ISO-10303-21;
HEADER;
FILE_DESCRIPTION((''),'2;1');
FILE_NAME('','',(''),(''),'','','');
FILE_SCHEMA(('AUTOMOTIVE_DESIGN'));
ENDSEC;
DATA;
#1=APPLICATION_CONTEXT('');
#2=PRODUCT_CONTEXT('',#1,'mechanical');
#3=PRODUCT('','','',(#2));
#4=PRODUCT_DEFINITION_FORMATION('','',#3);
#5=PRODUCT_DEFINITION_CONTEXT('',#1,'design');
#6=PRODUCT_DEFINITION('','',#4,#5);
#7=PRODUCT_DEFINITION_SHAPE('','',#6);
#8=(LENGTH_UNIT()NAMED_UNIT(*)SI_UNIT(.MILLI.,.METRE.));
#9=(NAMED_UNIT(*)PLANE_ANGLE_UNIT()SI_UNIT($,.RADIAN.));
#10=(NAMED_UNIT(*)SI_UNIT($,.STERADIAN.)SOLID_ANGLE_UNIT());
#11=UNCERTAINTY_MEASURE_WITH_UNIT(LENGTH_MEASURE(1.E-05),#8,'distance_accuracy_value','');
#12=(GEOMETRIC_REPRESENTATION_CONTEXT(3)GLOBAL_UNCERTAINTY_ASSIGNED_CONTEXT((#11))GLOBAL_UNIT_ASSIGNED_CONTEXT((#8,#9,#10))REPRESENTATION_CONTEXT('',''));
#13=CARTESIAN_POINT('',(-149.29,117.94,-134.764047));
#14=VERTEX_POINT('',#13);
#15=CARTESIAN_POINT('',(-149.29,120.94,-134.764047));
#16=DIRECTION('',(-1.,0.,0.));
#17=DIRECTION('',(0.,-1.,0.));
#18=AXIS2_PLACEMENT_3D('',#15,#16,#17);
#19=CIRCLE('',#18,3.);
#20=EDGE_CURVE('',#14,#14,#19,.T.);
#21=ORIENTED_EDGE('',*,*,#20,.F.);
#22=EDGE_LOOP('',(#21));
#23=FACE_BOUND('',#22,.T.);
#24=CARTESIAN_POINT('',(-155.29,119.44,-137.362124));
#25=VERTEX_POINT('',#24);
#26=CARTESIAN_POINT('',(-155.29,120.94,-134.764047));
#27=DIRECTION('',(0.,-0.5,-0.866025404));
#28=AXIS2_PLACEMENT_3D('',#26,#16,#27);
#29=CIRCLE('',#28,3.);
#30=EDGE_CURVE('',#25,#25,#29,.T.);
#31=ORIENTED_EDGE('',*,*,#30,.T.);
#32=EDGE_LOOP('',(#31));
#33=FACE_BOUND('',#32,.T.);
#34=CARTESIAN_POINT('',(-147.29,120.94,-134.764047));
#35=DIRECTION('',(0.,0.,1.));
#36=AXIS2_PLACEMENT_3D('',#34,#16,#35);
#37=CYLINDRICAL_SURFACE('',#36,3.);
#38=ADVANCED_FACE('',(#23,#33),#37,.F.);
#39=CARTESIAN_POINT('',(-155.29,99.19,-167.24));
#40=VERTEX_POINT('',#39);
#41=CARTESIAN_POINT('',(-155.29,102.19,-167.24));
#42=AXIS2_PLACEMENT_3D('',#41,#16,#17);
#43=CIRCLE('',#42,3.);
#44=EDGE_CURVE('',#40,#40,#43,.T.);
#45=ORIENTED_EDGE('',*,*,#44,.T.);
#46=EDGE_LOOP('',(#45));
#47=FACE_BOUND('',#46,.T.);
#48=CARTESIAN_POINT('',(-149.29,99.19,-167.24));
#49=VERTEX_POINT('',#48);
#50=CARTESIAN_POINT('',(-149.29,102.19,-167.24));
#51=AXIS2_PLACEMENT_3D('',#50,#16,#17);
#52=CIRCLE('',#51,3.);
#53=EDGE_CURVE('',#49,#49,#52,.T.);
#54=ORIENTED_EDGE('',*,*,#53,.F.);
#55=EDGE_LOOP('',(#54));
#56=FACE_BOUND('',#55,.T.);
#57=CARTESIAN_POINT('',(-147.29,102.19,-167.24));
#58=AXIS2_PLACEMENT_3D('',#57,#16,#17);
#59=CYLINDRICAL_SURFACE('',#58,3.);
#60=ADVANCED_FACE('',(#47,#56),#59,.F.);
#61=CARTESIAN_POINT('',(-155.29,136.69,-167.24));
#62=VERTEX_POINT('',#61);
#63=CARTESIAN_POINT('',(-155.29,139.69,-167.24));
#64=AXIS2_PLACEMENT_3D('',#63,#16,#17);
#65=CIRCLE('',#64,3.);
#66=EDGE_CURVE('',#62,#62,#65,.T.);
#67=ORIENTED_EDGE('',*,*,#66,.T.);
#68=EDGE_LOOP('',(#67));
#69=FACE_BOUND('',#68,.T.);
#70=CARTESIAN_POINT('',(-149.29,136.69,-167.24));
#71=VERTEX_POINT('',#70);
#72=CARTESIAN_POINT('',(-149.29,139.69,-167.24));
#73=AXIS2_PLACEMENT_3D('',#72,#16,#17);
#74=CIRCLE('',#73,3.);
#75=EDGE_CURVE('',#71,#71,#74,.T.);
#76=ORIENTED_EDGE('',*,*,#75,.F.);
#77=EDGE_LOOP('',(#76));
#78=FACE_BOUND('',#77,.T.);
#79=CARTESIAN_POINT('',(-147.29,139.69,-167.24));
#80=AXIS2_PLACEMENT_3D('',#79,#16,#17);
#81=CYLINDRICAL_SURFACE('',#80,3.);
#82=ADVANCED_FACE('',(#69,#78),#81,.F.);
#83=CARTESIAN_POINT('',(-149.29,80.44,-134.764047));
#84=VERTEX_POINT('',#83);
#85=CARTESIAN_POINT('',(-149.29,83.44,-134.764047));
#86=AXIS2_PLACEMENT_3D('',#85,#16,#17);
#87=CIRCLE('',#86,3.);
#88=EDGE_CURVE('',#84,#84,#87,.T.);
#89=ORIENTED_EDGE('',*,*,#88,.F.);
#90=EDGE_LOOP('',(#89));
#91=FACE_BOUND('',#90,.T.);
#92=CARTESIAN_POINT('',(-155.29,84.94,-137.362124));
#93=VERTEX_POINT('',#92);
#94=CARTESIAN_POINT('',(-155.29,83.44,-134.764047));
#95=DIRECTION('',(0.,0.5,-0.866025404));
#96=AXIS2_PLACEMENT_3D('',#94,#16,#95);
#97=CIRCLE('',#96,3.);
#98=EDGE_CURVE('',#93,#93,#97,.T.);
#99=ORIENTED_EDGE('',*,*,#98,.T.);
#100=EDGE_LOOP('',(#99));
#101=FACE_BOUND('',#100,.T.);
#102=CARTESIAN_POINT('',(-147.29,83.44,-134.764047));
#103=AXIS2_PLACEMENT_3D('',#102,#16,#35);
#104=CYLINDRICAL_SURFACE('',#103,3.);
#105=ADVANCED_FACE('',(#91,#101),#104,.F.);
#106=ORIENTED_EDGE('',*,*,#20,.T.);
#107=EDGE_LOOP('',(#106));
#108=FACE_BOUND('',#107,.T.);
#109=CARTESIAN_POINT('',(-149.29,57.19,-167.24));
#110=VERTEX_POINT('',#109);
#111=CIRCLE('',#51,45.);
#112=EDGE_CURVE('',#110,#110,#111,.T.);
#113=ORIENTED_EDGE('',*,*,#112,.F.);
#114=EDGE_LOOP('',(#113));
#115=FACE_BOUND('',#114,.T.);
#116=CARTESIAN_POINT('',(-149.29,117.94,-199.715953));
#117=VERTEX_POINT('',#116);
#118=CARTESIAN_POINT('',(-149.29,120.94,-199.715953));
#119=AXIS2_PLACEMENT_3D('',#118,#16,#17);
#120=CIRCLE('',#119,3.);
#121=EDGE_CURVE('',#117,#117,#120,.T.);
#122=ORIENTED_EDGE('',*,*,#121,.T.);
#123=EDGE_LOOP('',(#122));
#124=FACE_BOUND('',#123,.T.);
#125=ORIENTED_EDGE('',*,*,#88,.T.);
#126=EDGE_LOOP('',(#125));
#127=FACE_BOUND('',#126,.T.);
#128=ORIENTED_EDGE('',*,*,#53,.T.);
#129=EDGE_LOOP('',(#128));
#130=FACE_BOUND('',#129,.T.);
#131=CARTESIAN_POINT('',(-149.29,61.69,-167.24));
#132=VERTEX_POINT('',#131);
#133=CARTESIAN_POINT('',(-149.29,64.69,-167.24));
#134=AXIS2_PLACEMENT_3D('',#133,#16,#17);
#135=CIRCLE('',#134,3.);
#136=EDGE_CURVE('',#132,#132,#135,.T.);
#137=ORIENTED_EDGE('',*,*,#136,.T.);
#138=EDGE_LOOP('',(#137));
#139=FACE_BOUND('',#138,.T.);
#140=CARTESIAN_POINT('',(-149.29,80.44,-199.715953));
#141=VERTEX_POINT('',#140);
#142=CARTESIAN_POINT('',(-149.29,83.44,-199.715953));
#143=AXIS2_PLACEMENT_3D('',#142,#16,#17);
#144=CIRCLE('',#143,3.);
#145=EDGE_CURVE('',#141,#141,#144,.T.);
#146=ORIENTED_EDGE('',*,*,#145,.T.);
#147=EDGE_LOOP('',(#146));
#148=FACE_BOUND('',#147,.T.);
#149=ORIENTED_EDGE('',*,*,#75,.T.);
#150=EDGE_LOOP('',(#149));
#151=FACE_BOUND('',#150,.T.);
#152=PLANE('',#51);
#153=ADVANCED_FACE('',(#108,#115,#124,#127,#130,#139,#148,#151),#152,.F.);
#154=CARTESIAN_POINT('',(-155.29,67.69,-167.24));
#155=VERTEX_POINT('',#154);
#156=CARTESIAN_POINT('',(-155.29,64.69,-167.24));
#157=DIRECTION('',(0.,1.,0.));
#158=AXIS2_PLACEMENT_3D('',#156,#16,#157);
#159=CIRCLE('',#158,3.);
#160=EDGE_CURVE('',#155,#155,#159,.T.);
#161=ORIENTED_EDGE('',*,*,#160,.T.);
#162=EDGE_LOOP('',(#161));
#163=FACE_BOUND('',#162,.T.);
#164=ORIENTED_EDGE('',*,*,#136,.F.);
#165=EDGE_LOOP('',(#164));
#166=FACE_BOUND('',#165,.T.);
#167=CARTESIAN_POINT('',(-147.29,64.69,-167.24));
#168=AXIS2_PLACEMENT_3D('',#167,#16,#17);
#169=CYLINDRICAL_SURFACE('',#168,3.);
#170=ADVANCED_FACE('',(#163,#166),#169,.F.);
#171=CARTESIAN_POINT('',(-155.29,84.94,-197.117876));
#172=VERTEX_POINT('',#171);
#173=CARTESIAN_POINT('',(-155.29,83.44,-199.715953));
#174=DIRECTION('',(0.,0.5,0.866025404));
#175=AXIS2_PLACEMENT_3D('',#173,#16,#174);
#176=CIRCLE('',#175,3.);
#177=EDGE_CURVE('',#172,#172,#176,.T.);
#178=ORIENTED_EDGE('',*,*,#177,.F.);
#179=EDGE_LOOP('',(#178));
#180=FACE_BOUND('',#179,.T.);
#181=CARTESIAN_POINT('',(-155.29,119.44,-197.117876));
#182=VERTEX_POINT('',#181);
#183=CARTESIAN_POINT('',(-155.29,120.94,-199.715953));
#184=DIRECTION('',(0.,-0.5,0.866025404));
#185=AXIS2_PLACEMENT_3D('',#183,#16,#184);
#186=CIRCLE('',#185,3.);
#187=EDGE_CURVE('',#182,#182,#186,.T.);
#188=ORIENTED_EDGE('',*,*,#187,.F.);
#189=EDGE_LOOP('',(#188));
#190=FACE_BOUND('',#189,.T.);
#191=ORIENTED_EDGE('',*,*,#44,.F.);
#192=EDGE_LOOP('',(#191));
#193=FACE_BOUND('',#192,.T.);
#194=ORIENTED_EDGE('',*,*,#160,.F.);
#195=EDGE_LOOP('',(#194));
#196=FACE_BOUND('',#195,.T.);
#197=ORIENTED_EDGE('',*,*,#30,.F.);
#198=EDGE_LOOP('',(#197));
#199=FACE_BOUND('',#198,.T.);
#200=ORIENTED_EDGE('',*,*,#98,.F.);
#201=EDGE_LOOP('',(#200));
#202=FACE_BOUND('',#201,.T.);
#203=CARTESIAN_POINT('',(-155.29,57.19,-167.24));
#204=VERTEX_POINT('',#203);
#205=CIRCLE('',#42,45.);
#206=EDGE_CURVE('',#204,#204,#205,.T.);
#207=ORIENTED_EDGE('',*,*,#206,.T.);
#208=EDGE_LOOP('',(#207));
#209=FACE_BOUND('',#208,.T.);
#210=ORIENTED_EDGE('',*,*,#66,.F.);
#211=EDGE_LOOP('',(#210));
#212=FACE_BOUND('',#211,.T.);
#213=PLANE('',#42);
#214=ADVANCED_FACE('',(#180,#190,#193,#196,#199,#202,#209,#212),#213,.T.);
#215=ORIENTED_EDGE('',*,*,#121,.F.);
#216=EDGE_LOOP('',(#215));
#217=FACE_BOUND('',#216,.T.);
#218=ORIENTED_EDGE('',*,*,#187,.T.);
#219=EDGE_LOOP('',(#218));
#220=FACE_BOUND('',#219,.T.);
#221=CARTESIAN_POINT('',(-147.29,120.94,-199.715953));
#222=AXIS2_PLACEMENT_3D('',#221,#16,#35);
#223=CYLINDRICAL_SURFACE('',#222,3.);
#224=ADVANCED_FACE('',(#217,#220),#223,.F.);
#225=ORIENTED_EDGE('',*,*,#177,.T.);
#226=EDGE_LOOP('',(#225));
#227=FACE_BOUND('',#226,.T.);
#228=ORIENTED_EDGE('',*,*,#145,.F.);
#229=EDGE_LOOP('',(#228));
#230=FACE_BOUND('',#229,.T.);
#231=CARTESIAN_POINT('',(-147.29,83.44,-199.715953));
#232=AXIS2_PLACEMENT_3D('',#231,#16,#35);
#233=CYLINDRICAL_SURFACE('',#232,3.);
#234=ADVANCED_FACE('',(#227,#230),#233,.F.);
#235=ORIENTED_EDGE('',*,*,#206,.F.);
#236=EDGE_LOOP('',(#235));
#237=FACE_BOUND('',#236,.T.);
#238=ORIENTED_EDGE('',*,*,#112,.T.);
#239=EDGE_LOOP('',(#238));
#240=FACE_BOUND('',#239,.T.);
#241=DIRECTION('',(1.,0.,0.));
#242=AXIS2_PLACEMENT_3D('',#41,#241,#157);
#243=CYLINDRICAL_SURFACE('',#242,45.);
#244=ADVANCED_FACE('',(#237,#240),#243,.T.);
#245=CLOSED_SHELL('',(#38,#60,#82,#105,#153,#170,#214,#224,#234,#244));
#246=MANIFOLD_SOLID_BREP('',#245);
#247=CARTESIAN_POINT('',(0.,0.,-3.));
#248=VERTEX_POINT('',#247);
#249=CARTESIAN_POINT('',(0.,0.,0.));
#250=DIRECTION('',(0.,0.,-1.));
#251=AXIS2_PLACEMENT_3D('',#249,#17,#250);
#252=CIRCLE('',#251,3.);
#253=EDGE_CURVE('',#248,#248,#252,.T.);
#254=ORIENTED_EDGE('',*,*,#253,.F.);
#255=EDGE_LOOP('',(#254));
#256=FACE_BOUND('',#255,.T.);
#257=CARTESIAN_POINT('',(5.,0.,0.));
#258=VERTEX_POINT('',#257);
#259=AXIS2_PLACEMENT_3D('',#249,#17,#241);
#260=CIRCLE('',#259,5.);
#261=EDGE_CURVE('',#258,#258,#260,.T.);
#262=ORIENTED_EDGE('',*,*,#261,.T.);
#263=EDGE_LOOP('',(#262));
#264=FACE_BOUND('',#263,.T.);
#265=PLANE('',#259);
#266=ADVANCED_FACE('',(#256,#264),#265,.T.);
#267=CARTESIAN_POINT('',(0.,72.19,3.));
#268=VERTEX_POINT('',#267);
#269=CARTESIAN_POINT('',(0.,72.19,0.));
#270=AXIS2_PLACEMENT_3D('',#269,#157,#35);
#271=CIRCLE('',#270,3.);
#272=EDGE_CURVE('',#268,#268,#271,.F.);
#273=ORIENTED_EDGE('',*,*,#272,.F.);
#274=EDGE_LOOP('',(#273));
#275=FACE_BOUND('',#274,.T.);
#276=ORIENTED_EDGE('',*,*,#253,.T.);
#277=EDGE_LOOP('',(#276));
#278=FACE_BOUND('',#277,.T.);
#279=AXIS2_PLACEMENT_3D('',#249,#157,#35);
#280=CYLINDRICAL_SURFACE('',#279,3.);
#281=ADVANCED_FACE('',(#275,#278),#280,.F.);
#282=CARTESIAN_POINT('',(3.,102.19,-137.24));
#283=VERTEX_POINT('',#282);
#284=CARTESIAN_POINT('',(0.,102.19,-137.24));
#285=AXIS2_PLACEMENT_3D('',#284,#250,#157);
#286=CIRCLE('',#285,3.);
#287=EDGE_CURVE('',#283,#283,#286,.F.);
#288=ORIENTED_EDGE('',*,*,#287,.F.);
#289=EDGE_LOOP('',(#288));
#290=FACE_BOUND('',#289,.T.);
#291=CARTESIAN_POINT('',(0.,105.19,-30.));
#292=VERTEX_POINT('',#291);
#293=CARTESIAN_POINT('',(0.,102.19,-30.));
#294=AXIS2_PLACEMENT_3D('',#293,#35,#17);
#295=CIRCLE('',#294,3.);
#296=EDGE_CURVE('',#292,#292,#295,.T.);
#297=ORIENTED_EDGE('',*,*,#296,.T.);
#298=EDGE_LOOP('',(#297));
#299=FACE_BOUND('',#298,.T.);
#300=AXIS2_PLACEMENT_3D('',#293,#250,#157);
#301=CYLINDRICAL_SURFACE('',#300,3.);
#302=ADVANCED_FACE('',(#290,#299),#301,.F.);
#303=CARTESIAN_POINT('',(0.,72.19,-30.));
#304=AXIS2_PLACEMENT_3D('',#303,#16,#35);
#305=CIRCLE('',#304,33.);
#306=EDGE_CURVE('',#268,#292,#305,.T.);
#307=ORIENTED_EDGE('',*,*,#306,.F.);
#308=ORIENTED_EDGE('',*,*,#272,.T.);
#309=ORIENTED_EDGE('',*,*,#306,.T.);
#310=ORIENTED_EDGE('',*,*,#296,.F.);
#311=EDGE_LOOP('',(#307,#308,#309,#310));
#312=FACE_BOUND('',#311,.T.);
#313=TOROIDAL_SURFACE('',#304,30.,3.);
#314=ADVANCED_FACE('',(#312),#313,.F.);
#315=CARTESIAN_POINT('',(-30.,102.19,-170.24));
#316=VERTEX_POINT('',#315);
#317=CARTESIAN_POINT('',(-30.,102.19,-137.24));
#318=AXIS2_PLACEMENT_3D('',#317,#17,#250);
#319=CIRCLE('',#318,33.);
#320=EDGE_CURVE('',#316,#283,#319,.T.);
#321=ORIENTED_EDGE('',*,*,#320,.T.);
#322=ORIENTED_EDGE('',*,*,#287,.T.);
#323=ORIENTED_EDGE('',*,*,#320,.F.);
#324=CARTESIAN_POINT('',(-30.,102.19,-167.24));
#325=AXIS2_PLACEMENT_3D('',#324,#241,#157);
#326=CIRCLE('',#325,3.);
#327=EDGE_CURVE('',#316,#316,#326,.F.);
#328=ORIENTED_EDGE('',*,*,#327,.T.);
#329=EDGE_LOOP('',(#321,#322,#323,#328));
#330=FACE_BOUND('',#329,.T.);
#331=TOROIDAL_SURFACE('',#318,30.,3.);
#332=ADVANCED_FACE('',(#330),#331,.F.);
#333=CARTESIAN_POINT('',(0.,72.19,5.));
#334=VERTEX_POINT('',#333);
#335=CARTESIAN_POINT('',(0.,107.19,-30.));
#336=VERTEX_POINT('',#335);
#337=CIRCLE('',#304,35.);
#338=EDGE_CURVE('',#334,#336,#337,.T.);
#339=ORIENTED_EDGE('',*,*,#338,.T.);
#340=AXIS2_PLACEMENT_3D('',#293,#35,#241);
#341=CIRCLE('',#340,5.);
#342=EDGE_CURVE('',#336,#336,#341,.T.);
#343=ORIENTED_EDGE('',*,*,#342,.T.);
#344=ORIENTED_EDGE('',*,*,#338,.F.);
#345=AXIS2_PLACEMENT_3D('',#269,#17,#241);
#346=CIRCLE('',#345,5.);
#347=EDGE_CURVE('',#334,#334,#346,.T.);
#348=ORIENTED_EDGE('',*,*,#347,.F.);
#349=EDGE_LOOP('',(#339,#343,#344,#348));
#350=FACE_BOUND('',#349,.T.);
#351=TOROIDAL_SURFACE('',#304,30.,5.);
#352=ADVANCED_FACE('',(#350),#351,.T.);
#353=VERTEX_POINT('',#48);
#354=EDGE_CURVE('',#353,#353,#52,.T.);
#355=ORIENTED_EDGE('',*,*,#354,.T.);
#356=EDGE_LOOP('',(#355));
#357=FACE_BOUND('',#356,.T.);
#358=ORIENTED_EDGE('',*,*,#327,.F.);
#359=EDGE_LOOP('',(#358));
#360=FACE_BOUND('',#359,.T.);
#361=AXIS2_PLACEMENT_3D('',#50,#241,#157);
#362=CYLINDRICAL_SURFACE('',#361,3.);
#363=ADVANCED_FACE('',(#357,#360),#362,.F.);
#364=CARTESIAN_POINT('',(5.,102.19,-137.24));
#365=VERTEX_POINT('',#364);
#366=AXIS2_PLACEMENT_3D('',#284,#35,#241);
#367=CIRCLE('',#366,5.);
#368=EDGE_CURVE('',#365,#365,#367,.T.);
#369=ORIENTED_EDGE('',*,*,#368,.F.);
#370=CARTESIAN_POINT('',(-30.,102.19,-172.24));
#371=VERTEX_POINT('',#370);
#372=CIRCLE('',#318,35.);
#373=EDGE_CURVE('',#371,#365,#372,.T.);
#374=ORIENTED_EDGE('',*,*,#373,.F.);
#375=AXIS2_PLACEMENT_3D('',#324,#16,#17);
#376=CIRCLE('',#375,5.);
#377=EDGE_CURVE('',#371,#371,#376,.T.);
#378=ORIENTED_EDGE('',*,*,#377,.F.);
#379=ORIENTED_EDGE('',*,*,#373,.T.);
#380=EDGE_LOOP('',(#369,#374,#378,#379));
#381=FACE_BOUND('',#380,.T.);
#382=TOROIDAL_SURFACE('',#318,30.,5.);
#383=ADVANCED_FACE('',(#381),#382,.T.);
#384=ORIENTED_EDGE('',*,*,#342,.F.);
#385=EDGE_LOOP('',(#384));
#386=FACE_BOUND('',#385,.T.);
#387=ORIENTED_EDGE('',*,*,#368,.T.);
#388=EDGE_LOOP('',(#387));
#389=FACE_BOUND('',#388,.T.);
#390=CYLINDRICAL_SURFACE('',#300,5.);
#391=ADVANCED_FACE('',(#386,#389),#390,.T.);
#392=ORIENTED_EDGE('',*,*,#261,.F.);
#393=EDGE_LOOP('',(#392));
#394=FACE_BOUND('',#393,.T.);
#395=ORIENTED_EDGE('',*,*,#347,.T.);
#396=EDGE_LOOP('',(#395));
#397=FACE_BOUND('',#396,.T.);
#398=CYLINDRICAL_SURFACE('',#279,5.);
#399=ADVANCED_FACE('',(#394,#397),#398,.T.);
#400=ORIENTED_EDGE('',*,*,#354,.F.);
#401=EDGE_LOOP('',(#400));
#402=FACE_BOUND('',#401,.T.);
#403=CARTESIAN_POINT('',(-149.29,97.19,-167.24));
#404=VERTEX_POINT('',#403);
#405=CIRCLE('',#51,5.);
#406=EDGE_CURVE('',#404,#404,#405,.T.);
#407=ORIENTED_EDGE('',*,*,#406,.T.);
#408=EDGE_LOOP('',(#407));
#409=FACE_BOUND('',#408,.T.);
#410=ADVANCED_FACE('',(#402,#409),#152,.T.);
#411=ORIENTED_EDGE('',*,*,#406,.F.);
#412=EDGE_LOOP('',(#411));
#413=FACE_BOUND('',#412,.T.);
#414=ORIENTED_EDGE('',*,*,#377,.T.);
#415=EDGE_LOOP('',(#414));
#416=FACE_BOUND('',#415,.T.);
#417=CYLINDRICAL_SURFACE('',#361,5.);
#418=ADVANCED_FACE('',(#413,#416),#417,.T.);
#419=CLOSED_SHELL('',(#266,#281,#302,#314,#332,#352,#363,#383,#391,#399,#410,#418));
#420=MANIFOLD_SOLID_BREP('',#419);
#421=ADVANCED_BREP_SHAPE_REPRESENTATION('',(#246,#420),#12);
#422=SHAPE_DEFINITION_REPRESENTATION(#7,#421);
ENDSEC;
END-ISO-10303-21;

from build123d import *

# Parameters (mm, degrees)
SWEEP4_PROFILE_R    = 5
SWEEP6_PROFILE_R    = 5
SKETCH23_R          = 5
BOSS_EXTRUDE1_DEPTH = 119.29
SHELL1_T            = -2
CUT_EXTRUDE1_START  = -3.29
SKETCH25_R          = 3
CUT_EXTRUDE1_DEPTH  = 3.29
SKETCH26_R          = 45
BOSS_EXTRUDE2_DEPTH = 6
CUT_EXTRUDE2_START  = -8
SKETCH27_R          = 3
CUT_EXTRUDE2_DEPTH  = 8
CIRPATTERN1_COUNT   = 6


with BuildPart() as part:
    # Sweep4: sweep along a path in Sketch1
    with BuildLine(Plane(origin=(0, 0, 0), x_dir=(0, 0, -1), z_dir=(1, 0, 0))) as sweep4_path:
        Line((0, 0), (0, 72.19))
        ThreePointArc((0, 72.19), (8.786796564, 93.403203436), (30, 102.19))
        Line((30, 102.19), (137.24, 102.19))
    # Sweep4 profile (on start of the path) → Sweep4 (sweep)
    with BuildSketch(Plane.ZX):
        Circle(SWEEP4_PROFILE_R)
    sweep(path=sweep4_path.line)

    # Sweep6: sweep along a path in Sketch18
    with BuildLine(Plane(origin=(0, 102.19, 0), x_dir=(-1, 0, 0), z_dir=(0, -1, 0))) as sweep6_path:
        ThreePointArc((30, 167.24), (8.786796564, 158.453203436), (0, 137.24))
    # Sweep6 profile (on start of the path) → Sweep6 (sweep)
    with BuildSketch(Plane(origin=(-30, 102.19, -167.24), x_dir=(0, 0, 1), z_dir=(1, 0, 0))):
        Circle(SWEEP6_PROFILE_R)
    sweep(path=sweep6_path.line)

    # Sketch23 → Boss-Extrude1 (add)
    with BuildSketch(Plane.ZY.offset(30)):
        with Locations(Location((-167.24, 102.19, 0), (0, 0, 180))):
            Circle(SKETCH23_R)
    extrude(amount=BOSS_EXTRUDE1_DEPTH)

    # Shell1
    shell1_openings = [part.faces().sort_by_distance(p)[0] for p in [
        (-149.29, 102.19, -167.24),
    ]]
    offset(amount=SHELL1_T, openings=shell1_openings, kind=Kind.INTERSECTION)

    # Sketch25 → Cut-Extrude1 (cut)
    with BuildSketch(Plane.XZ.offset(CUT_EXTRUDE1_START)):
        with Locations(Location((0, 0, 0), (0, 0, 90))):
            Circle(SKETCH25_R)
    extrude(amount=CUT_EXTRUDE1_DEPTH, mode=Mode.SUBTRACT)


with BuildPart() as body_2:
    # Sketch26 → Boss-Extrude2 (new body)
    with BuildSketch(Plane.ZY.offset(149.29)):
        with Locations(Location((-167.24, 102.19, 0), (0, 0, 270))):
            Circle(SKETCH26_R)
    extrude(amount=BOSS_EXTRUDE2_DEPTH)

    # Sketch27 → Cut-Extrude2 (cut)
    with BuildSketch(Plane.ZY.offset(155.29).offset(CUT_EXTRUDE2_START)):
        with Locations(Location((-167.24, 102.19, 0), (0, 0, 270))):
            Circle(SKETCH27_R)
        with Locations(Location((-167.24, 139.69, 0), (0, 0, 270))):
            Circle(SKETCH27_R)
    cut_extrude2 = extrude(amount=CUT_EXTRUDE2_DEPTH, mode=Mode.SUBTRACT)

    # CirPattern1: Cut-Extrude2 ×6 about axis
    cirpattern1_axis = Axis((0, 102.19, -167.24), (1, 0, 0))
    for i in range(1, CIRPATTERN1_COUNT):
        add(cut_extrude2.rotate(cirpattern1_axis, i * 360 / CIRPATTERN1_COUNT), mode=Mode.SUBTRACT)


solid = Compound([part.part, body_2.part])
